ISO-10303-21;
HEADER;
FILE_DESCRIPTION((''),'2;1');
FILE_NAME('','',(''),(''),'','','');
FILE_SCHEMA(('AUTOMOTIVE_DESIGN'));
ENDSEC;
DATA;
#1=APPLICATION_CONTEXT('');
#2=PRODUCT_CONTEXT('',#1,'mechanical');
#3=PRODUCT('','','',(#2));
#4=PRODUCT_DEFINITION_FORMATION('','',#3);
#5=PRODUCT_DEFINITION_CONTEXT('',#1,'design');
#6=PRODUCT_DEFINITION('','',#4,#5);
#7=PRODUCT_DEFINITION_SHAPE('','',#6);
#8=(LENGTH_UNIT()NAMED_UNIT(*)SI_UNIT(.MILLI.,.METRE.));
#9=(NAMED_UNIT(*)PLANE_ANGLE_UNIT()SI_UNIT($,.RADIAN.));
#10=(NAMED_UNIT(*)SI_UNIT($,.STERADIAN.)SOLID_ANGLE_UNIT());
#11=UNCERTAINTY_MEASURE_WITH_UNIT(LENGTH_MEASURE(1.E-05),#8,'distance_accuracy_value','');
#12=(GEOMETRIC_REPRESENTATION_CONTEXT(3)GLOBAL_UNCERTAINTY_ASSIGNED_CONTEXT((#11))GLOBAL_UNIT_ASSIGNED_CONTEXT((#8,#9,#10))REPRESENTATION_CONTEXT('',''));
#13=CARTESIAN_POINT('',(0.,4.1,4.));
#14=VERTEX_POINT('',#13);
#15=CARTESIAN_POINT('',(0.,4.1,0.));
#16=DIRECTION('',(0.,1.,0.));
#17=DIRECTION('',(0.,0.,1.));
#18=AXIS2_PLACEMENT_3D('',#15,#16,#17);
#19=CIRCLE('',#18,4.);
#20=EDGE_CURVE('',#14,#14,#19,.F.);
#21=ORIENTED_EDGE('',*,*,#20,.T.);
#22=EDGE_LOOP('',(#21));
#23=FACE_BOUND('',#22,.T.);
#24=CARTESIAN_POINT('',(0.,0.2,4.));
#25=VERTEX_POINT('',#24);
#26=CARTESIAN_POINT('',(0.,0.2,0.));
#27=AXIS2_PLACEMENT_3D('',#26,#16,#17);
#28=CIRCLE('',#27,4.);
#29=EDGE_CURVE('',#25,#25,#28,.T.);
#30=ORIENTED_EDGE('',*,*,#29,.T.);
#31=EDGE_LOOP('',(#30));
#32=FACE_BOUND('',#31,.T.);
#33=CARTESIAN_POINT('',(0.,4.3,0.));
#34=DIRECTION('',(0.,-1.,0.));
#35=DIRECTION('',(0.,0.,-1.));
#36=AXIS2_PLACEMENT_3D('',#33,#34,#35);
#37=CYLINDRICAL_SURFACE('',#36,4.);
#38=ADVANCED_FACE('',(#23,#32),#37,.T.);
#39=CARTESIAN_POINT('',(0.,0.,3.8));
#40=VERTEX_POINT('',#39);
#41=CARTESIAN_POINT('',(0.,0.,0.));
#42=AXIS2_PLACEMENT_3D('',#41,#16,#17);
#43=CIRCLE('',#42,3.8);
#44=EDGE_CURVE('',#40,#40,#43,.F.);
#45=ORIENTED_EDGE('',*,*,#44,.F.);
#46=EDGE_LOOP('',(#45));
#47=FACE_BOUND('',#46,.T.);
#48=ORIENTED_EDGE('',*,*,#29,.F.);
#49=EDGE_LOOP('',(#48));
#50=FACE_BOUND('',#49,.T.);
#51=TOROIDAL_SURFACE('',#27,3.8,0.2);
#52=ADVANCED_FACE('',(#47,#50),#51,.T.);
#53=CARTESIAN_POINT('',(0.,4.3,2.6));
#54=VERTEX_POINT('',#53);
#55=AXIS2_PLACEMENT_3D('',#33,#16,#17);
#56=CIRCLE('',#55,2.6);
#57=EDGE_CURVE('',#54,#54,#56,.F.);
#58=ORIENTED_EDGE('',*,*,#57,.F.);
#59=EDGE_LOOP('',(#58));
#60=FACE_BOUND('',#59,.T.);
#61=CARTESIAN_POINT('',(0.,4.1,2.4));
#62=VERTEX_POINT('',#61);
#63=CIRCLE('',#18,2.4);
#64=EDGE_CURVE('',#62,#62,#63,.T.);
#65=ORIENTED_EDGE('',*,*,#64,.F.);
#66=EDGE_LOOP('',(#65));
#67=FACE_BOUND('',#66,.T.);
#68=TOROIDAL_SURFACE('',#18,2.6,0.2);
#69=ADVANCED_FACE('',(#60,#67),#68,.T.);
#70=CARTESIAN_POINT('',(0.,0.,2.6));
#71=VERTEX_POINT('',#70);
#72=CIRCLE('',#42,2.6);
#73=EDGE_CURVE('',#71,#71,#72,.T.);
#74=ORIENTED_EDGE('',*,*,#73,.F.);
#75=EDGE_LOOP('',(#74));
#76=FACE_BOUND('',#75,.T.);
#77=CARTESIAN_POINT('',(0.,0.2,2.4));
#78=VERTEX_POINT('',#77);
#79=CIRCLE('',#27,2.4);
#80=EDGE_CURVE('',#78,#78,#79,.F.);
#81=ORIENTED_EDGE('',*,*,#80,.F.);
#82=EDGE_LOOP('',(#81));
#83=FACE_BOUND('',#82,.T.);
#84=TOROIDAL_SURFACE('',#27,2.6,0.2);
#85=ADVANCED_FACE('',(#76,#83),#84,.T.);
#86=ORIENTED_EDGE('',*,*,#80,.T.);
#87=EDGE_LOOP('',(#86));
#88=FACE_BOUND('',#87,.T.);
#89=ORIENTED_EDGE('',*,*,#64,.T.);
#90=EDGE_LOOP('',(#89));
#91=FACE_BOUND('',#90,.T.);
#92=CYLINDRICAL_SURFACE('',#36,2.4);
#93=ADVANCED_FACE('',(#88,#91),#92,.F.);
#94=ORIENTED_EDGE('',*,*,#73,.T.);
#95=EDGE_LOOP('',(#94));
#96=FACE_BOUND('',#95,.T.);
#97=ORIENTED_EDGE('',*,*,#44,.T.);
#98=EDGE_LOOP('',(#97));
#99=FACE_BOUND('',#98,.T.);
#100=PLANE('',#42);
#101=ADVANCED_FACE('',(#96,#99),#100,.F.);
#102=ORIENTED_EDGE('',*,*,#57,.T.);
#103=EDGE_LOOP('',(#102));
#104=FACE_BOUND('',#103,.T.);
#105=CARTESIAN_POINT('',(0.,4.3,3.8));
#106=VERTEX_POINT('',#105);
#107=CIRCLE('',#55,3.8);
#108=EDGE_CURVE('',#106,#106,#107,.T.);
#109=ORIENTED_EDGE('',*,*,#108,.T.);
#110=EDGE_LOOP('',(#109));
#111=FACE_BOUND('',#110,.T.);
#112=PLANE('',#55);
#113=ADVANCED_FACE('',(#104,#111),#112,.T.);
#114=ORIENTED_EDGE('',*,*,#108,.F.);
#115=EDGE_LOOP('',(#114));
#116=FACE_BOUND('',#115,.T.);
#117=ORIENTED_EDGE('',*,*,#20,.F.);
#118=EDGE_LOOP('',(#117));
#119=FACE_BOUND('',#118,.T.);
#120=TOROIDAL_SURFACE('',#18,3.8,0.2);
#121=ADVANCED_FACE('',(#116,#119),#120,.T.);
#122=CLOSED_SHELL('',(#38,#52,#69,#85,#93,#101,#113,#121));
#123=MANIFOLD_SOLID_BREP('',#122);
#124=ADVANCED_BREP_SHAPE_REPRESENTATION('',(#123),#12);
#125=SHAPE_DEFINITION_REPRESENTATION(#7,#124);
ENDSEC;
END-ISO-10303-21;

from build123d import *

# Parameters (mm, degrees)
SKETCH1_R           = 4
SKETCH1_R_2         = 2.4
BOSS_EXTRUDE1_DEPTH = 4.3
FILLET1_R           = 0.2


with BuildPart() as part:
    # Sketch1 → Boss-Extrude1 (new body)
    with BuildSketch(Plane(origin=(0, 0, 0), x_dir=(1, 0, 0), z_dir=(0, 1, 0))):
        Circle(SKETCH1_R)
        Circle(SKETCH1_R_2, mode=Mode.SUBTRACT)
    extrude(amount=BOSS_EXTRUDE1_DEPTH)

    # Fillet1
    fillet1_edges = [part.edges().sort_by_distance(p)[0] for p in [
        (-4, 0, 0),
        (-4, 4.3, 0),
        (-2.4, 0, 0),
        (-2.4, 4.3, 0),
    ]]
    fillet(fillet1_edges, radius=FILLET1_R)


solid = part.part
